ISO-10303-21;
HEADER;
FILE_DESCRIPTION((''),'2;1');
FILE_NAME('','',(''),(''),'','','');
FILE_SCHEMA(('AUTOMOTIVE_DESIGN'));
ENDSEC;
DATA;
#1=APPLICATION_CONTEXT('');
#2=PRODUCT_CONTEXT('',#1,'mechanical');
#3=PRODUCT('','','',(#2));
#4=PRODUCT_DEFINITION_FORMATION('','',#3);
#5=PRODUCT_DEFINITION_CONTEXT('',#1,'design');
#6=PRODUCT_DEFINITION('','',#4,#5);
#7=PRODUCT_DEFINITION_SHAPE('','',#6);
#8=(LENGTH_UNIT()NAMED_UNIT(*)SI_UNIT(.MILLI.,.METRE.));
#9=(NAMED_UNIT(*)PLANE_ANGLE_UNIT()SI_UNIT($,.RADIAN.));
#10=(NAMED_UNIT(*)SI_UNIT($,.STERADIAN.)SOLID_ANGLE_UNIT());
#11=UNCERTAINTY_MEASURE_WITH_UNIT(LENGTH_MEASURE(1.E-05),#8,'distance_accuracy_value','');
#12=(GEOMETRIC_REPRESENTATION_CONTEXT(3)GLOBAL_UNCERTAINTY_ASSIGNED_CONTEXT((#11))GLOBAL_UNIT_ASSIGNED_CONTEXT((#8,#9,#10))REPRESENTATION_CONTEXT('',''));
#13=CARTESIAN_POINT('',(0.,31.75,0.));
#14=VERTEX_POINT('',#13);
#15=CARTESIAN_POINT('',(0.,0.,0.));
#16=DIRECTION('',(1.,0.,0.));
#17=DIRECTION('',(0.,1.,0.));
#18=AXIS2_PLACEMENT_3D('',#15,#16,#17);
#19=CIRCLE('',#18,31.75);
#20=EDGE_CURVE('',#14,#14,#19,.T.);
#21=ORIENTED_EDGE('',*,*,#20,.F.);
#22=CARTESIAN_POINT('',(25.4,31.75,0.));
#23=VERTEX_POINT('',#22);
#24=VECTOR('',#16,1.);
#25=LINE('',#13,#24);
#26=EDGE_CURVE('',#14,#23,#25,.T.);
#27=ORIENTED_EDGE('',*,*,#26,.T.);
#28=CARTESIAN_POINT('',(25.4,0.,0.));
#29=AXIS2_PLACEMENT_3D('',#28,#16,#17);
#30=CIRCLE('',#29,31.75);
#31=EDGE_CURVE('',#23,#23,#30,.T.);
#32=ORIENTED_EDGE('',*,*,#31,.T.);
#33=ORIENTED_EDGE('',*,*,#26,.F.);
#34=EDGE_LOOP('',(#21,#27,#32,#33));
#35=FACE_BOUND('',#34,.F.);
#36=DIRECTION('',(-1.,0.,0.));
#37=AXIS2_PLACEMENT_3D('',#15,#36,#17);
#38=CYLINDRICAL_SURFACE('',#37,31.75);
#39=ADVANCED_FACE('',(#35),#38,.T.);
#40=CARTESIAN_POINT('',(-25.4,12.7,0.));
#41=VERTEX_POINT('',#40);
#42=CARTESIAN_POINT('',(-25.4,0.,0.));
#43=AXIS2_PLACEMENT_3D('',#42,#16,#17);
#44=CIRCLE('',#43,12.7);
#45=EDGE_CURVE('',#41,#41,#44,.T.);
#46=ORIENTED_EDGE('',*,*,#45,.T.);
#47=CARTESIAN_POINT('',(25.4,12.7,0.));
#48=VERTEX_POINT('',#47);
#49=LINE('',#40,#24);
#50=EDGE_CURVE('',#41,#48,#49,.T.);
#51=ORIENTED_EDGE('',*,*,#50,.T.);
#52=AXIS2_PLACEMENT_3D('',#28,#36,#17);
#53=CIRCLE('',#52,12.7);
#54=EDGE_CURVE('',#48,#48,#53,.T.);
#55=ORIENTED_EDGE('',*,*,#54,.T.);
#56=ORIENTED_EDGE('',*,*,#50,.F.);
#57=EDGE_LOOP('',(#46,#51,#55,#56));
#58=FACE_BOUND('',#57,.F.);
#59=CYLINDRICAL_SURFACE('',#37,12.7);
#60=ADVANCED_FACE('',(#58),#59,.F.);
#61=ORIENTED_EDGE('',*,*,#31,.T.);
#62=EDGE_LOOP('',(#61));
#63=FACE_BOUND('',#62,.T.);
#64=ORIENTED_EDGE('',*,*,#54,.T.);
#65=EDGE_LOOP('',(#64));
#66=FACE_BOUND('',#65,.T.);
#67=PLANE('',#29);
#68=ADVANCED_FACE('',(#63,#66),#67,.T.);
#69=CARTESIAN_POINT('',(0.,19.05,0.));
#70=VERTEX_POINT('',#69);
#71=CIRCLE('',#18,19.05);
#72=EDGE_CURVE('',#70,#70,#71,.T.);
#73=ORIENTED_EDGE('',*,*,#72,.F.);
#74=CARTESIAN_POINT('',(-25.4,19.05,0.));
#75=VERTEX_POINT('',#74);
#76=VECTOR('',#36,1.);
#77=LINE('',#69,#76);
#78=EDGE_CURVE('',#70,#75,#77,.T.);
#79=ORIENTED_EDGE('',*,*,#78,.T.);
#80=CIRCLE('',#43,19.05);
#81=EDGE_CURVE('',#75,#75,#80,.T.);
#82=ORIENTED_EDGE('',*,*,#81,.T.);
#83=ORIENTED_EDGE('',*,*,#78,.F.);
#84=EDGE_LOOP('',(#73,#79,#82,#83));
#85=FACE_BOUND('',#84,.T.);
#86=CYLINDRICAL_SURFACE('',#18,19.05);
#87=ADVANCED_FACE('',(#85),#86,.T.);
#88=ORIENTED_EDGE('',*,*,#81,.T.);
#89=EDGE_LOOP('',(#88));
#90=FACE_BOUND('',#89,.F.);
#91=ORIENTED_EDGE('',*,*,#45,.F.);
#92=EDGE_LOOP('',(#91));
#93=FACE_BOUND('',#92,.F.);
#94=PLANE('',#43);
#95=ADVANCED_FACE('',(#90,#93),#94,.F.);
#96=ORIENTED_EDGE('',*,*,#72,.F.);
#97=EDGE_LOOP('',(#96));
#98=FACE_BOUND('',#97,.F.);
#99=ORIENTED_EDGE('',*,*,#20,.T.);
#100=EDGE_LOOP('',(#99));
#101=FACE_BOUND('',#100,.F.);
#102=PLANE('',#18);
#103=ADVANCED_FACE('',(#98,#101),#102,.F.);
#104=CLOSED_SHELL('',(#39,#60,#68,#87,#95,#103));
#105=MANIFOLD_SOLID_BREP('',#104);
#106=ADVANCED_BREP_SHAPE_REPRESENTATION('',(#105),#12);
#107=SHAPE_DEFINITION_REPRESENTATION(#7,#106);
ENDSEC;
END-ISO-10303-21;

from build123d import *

# Parameters (mm, degrees)
F0_R      = 19.05
F0_R_2    = 12.7
F1_DEPTH  = 25.4
F2_R      = 31.75
F3_DEPTH  = 25.4
F3_FACE_R = 12.7
F4_DEPTH  = 25.4


with BuildPart() as f1:
    # F0 (on Right) → F1 (new body)
    with BuildSketch(Plane.YZ):
        Circle(F0_R)
        Circle(F0_R_2, mode=Mode.SUBTRACT)
    extrude(amount=-F1_DEPTH)

    # F2 (on Right) → F3 (join)
    with BuildSketch(Plane.YZ):
        Circle(F2_R)
    extrude(amount=F3_DEPTH)

    # F3_face (on face) → F4 (cut)
    with BuildSketch(Plane(origin=(0, 0, 0), x_dir=(0, 1, 0), z_dir=(-1, 0, 0))):
        Circle(F3_FACE_R)
    extrude(amount=-F4_DEPTH, mode=Mode.SUBTRACT)


solid = f1.part
